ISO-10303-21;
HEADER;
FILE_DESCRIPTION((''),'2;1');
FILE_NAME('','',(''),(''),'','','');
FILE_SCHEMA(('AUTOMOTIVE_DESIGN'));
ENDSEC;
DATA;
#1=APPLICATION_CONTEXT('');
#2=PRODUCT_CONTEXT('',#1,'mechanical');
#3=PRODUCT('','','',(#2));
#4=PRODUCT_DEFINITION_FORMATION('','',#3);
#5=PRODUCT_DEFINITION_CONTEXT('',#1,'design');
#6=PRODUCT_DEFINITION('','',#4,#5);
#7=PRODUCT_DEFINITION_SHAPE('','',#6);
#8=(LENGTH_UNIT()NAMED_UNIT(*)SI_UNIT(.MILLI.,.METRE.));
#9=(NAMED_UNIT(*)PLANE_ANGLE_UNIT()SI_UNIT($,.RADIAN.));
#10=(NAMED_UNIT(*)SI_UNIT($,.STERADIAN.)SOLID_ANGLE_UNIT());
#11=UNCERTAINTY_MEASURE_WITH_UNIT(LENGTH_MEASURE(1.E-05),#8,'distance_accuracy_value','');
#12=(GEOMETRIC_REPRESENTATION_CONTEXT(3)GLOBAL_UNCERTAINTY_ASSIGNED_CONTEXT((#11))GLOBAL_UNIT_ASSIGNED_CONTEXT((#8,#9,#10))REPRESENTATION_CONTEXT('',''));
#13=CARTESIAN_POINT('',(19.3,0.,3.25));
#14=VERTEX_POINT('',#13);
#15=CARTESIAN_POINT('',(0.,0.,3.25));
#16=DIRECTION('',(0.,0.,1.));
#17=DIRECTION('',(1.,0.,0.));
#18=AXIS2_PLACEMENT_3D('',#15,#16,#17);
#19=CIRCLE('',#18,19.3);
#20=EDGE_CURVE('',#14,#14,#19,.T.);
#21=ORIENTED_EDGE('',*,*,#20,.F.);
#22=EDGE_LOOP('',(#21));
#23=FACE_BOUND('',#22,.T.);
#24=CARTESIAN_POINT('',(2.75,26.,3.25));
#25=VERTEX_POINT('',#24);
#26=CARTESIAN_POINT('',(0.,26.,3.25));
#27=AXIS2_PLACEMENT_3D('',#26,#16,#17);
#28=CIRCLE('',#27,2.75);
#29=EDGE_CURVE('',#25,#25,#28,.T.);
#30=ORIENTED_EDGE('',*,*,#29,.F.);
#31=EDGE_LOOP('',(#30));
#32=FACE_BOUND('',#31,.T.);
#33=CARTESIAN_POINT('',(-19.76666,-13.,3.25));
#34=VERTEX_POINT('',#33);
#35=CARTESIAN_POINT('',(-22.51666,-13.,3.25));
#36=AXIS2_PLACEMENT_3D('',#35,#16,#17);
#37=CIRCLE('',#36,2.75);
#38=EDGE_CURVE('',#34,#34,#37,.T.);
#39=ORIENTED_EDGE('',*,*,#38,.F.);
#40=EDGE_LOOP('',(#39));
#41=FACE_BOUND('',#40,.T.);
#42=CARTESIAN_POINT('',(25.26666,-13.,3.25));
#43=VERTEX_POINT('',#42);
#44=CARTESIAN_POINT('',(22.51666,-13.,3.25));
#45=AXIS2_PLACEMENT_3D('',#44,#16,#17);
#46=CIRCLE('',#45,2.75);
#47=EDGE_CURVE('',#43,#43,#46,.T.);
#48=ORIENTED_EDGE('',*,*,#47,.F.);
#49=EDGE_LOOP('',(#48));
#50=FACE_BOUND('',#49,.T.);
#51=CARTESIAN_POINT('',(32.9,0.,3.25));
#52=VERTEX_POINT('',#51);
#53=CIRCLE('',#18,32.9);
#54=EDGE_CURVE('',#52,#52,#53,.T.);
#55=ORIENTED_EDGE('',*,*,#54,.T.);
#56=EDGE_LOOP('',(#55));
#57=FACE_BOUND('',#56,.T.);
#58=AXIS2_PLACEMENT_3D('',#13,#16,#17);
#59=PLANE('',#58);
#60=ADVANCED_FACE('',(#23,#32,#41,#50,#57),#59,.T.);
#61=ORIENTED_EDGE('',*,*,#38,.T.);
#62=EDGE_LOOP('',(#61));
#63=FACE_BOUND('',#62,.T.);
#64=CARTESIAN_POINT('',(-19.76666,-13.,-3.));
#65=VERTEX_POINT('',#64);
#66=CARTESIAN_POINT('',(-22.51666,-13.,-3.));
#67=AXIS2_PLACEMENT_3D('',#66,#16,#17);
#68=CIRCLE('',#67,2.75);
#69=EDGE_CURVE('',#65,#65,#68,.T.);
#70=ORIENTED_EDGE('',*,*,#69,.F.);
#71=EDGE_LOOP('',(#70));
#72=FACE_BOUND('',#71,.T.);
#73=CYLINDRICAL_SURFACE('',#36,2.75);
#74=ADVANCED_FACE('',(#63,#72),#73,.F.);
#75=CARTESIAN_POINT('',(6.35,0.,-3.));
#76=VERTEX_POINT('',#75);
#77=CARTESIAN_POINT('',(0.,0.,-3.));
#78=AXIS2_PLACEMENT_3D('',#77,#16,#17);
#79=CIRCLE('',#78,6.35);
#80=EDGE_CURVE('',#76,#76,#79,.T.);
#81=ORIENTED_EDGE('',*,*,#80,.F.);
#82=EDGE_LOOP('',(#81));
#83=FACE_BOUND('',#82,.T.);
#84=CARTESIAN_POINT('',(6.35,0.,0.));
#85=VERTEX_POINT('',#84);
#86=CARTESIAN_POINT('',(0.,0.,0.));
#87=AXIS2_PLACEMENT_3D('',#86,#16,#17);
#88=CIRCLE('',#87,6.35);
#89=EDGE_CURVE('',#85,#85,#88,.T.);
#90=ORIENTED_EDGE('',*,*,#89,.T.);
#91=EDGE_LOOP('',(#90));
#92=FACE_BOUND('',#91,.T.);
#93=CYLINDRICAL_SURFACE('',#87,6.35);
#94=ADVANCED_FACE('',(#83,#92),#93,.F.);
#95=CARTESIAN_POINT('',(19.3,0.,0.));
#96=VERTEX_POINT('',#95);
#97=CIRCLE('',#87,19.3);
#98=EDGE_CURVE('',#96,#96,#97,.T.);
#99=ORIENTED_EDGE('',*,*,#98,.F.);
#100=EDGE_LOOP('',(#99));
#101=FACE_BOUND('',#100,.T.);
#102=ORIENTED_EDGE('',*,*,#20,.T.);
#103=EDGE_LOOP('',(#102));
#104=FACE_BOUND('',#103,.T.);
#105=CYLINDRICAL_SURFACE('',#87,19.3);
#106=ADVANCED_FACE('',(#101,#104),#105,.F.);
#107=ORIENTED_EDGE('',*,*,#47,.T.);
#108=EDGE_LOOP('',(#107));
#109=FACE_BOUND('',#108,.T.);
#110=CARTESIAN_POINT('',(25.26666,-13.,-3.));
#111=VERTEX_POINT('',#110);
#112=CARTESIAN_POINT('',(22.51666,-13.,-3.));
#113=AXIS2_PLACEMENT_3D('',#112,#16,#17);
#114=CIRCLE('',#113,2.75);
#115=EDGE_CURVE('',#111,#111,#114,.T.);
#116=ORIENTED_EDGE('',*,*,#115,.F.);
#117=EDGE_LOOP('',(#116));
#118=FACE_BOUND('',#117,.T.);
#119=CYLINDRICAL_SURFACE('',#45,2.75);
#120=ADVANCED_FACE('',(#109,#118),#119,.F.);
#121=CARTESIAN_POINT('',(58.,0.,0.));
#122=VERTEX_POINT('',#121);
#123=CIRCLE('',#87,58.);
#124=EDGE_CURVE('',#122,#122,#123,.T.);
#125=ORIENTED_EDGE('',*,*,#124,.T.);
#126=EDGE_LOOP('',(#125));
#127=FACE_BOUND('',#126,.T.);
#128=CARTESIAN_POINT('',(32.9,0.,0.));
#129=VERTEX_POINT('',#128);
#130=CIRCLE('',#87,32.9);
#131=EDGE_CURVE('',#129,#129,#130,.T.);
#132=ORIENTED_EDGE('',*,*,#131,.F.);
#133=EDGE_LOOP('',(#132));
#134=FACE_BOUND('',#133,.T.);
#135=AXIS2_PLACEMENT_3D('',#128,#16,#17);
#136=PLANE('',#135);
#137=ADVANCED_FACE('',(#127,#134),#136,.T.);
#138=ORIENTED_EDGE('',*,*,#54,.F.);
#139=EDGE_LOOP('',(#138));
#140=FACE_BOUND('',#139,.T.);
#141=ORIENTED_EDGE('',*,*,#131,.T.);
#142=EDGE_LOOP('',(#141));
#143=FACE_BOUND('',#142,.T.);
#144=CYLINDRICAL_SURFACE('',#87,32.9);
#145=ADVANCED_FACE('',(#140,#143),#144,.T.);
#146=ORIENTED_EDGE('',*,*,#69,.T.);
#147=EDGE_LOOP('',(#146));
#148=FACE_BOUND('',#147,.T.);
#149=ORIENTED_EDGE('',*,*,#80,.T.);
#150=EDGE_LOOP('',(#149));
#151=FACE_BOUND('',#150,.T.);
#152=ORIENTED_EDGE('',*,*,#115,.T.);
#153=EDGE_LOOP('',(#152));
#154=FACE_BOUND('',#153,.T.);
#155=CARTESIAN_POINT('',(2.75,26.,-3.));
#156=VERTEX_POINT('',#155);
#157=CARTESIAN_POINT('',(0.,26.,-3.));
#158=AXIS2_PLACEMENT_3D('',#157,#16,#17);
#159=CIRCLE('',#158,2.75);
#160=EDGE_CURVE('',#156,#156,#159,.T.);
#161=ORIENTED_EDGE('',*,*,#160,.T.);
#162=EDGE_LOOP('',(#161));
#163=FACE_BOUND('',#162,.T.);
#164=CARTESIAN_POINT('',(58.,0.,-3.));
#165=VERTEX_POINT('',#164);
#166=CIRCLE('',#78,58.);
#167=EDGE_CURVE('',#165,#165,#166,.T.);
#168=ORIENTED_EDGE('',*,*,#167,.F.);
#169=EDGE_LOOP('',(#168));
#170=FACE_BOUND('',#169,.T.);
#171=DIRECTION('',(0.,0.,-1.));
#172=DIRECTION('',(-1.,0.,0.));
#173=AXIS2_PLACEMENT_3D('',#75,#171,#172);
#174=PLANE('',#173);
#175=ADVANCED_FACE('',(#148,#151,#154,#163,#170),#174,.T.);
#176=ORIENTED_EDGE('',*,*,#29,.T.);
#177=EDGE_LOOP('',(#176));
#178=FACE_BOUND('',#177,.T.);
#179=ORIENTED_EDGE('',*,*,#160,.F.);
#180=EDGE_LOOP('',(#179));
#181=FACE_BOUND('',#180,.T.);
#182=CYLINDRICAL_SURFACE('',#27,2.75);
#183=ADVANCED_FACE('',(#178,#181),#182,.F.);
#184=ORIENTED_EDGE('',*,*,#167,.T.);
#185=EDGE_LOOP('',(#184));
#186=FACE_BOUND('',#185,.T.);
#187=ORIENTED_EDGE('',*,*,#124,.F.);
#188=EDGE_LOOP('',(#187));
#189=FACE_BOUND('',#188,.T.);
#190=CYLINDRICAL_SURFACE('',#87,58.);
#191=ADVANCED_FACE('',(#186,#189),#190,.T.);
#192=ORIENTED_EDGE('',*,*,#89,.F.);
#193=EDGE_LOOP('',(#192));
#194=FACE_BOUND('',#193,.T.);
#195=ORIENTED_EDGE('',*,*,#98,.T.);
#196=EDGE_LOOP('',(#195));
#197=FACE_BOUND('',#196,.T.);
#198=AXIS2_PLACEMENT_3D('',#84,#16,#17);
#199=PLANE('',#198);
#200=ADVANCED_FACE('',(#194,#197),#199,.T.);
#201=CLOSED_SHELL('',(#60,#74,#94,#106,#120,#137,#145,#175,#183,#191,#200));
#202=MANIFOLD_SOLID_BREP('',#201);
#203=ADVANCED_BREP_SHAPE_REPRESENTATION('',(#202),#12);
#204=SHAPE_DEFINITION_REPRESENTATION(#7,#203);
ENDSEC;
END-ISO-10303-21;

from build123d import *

# Parameters (mm, degrees)
M5_CLEARANCE_HOLE1_D = 5.5


with BuildPart() as part:
    # Sketch4 → Revolve1 (revolve)
    with BuildSketch(Plane(origin=(0, 0, 0), x_dir=(1, 0, 0), z_dir=(0, 1, 0))):
        Polygon((6.35, 0), (19.3, 0), (19.3, -3.25), (32.9, -3.25), (32.9, 0), (58, 0), (58, 3), (6.35, 3), align=None)
    revolve(axis=Axis((0, 0, 0), (0, 0, -1)))

    # M5 Clearance Hole1 (through all)
    with Locations(Plane.XY.offset(3.25)):
        with Locations((0, 26), (-22.516660498, -13), (22.516660498, -13)):
            Hole(M5_CLEARANCE_HOLE1_D / 2)


solid = part.part
